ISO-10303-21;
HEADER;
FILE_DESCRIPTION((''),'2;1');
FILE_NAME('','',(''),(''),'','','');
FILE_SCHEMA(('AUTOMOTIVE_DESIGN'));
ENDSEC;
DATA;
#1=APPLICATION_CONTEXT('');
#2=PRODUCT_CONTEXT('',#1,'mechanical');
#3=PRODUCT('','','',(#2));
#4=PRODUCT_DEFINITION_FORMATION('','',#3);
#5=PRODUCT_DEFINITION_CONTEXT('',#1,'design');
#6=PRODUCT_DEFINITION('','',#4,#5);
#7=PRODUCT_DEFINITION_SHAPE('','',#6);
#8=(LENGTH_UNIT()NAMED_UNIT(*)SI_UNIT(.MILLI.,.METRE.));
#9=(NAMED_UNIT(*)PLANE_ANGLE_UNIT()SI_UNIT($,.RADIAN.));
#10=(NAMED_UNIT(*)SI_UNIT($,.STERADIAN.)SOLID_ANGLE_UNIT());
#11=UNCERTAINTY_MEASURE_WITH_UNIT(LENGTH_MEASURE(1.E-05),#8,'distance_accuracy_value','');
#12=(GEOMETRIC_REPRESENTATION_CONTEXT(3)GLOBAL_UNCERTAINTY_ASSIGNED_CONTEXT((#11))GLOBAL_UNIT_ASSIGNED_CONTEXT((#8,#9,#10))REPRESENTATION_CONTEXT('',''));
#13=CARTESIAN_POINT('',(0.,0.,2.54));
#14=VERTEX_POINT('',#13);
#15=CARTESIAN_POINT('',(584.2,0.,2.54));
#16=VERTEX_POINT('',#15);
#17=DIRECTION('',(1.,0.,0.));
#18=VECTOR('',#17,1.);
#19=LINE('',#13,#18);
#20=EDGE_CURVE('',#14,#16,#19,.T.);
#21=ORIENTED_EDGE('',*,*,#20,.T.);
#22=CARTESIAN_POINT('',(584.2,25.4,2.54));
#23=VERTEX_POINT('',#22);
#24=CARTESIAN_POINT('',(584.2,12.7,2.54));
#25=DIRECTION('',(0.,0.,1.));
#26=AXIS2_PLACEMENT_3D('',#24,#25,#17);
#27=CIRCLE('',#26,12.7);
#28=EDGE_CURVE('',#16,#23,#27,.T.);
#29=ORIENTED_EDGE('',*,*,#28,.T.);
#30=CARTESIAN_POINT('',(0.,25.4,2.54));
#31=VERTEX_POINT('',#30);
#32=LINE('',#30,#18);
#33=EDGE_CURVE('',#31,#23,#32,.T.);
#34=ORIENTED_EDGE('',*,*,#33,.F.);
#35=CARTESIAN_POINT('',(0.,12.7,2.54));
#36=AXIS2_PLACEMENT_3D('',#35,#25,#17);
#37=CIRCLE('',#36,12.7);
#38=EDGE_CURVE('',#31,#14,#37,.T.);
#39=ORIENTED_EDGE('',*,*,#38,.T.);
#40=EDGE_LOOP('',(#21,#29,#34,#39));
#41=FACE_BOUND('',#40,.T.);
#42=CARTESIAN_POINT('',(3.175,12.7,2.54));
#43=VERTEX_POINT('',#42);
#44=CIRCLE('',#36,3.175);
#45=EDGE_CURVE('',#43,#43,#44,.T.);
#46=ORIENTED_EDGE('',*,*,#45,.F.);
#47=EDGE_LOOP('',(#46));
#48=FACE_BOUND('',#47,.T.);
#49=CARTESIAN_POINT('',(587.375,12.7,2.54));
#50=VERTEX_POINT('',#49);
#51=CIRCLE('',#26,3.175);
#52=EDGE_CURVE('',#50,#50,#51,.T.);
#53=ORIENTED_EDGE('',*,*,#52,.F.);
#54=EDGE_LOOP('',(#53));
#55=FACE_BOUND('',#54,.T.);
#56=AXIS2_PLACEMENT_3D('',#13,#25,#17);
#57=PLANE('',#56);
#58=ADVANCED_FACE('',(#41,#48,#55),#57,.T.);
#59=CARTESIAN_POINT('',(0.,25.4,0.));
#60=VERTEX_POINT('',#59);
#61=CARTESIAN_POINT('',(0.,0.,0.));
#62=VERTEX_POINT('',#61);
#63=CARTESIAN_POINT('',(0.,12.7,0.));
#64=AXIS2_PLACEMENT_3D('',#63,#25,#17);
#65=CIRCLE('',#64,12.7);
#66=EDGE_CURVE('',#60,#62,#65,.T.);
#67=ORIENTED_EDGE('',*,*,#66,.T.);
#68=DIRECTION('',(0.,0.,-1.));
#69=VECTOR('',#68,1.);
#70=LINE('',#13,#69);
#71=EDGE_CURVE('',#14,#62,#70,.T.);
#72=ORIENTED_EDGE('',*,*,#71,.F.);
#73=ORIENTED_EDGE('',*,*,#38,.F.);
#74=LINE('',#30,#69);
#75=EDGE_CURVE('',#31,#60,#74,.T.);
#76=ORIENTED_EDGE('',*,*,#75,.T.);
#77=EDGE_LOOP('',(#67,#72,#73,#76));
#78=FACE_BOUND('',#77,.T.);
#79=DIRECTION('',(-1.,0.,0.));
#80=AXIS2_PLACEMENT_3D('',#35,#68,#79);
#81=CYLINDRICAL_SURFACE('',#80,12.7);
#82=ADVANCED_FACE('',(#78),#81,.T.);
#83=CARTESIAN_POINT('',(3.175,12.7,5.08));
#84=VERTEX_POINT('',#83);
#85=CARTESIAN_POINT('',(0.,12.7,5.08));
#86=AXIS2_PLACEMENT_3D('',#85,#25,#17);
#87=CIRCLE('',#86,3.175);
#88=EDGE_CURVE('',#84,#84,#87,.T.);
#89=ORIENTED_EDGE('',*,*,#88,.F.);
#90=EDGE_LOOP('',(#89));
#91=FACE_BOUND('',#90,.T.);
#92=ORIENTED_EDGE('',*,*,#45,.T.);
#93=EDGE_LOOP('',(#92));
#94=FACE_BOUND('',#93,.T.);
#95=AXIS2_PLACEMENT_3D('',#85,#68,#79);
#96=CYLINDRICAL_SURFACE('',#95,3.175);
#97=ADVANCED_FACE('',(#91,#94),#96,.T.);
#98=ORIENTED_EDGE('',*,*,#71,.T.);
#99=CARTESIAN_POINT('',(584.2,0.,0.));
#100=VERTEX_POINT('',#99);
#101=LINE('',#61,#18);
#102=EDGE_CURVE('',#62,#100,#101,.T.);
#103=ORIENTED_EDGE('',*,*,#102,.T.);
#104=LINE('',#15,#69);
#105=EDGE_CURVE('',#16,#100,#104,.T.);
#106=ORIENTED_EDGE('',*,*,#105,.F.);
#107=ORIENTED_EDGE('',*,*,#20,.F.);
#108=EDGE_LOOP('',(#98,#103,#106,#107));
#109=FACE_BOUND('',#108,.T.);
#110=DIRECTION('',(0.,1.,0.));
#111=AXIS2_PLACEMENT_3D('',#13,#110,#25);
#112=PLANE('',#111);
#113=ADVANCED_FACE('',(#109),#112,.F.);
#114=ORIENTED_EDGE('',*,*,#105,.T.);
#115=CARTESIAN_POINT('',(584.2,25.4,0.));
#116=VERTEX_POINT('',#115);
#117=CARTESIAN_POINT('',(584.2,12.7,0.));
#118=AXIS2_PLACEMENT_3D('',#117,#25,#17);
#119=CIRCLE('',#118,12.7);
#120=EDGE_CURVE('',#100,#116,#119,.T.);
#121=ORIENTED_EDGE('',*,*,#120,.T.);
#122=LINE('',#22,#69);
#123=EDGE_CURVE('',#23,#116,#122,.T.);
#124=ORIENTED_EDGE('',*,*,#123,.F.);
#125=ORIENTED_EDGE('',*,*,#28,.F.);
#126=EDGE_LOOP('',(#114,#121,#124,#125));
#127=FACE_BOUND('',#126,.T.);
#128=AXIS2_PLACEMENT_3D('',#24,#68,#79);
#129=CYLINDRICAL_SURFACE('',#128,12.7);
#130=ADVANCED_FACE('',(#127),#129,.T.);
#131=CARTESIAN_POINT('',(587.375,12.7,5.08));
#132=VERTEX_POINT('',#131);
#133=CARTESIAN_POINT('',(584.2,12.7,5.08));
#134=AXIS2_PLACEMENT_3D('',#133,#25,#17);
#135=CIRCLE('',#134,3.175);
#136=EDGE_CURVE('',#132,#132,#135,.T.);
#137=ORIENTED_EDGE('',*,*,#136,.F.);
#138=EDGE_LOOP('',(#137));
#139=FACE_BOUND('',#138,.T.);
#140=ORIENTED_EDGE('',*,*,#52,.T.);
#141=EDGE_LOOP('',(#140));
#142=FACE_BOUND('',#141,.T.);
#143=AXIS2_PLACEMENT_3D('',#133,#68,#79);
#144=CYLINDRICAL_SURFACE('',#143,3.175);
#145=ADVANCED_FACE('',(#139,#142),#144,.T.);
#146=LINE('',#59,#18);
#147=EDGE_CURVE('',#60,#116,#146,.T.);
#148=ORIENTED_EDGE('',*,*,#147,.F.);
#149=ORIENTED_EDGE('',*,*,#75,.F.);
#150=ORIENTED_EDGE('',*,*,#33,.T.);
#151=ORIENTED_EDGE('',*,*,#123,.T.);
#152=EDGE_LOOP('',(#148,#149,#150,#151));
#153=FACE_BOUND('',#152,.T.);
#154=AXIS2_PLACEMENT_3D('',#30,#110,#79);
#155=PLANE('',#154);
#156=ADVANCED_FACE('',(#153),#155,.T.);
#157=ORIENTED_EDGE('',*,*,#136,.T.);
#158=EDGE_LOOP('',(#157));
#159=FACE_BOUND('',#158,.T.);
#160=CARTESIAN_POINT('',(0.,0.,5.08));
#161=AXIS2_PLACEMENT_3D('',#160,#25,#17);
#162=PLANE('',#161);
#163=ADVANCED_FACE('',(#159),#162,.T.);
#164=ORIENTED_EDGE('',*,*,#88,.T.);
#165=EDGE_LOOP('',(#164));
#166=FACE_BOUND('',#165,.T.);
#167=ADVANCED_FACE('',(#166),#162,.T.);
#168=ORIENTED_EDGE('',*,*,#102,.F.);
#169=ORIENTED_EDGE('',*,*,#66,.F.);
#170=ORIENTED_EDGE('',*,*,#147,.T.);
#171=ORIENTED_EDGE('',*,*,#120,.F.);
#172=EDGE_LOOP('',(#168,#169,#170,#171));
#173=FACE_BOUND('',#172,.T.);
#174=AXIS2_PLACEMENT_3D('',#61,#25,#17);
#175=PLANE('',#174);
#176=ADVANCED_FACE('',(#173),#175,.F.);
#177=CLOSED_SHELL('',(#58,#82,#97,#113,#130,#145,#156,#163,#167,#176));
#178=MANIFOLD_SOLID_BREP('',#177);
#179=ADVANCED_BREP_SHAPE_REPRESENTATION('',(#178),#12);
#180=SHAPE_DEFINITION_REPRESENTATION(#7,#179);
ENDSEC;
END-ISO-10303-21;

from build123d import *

# Parameters (mm, degrees)
SKETCH2_R           = 3.175
BOSS_EXTRUDE1_DEPTH = 2.54
SKETCH2_3_R         = 3.175
BOSS_EXTRUDE2_DEPTH = 5.08


with BuildPart() as part:
    # Sketch2 → Boss-Extrude1 (new body)
    with BuildSketch(Plane.XY):
        with BuildLine():
            Line((584.2, 25.4), (0, 25.4))
            ThreePointArc((0, 25.4), (-12.7, 12.7), (0, 0))
            Line((0, 0), (584.2, 0))
            ThreePointArc((584.2, 0), (596.9, 12.7), (584.2, 25.4))
        make_face()
        with Locations((0, 12.7)):
            Circle(SKETCH2_R, mode=Mode.SUBTRACT)
        with Locations((584.2, 12.7)):
            Circle(SKETCH2_R, mode=Mode.SUBTRACT)
    extrude(amount=BOSS_EXTRUDE1_DEPTH)

    # Sketch2<3> → Boss-Extrude2 (add)
    with BuildSketch(Plane.XY):
        with Locations((0, 12.7)):
            Circle(SKETCH2_3_R)
        with Locations((584.2, 12.7)):
            Circle(SKETCH2_3_R)
    extrude(amount=BOSS_EXTRUDE2_DEPTH)


solid = part.part
